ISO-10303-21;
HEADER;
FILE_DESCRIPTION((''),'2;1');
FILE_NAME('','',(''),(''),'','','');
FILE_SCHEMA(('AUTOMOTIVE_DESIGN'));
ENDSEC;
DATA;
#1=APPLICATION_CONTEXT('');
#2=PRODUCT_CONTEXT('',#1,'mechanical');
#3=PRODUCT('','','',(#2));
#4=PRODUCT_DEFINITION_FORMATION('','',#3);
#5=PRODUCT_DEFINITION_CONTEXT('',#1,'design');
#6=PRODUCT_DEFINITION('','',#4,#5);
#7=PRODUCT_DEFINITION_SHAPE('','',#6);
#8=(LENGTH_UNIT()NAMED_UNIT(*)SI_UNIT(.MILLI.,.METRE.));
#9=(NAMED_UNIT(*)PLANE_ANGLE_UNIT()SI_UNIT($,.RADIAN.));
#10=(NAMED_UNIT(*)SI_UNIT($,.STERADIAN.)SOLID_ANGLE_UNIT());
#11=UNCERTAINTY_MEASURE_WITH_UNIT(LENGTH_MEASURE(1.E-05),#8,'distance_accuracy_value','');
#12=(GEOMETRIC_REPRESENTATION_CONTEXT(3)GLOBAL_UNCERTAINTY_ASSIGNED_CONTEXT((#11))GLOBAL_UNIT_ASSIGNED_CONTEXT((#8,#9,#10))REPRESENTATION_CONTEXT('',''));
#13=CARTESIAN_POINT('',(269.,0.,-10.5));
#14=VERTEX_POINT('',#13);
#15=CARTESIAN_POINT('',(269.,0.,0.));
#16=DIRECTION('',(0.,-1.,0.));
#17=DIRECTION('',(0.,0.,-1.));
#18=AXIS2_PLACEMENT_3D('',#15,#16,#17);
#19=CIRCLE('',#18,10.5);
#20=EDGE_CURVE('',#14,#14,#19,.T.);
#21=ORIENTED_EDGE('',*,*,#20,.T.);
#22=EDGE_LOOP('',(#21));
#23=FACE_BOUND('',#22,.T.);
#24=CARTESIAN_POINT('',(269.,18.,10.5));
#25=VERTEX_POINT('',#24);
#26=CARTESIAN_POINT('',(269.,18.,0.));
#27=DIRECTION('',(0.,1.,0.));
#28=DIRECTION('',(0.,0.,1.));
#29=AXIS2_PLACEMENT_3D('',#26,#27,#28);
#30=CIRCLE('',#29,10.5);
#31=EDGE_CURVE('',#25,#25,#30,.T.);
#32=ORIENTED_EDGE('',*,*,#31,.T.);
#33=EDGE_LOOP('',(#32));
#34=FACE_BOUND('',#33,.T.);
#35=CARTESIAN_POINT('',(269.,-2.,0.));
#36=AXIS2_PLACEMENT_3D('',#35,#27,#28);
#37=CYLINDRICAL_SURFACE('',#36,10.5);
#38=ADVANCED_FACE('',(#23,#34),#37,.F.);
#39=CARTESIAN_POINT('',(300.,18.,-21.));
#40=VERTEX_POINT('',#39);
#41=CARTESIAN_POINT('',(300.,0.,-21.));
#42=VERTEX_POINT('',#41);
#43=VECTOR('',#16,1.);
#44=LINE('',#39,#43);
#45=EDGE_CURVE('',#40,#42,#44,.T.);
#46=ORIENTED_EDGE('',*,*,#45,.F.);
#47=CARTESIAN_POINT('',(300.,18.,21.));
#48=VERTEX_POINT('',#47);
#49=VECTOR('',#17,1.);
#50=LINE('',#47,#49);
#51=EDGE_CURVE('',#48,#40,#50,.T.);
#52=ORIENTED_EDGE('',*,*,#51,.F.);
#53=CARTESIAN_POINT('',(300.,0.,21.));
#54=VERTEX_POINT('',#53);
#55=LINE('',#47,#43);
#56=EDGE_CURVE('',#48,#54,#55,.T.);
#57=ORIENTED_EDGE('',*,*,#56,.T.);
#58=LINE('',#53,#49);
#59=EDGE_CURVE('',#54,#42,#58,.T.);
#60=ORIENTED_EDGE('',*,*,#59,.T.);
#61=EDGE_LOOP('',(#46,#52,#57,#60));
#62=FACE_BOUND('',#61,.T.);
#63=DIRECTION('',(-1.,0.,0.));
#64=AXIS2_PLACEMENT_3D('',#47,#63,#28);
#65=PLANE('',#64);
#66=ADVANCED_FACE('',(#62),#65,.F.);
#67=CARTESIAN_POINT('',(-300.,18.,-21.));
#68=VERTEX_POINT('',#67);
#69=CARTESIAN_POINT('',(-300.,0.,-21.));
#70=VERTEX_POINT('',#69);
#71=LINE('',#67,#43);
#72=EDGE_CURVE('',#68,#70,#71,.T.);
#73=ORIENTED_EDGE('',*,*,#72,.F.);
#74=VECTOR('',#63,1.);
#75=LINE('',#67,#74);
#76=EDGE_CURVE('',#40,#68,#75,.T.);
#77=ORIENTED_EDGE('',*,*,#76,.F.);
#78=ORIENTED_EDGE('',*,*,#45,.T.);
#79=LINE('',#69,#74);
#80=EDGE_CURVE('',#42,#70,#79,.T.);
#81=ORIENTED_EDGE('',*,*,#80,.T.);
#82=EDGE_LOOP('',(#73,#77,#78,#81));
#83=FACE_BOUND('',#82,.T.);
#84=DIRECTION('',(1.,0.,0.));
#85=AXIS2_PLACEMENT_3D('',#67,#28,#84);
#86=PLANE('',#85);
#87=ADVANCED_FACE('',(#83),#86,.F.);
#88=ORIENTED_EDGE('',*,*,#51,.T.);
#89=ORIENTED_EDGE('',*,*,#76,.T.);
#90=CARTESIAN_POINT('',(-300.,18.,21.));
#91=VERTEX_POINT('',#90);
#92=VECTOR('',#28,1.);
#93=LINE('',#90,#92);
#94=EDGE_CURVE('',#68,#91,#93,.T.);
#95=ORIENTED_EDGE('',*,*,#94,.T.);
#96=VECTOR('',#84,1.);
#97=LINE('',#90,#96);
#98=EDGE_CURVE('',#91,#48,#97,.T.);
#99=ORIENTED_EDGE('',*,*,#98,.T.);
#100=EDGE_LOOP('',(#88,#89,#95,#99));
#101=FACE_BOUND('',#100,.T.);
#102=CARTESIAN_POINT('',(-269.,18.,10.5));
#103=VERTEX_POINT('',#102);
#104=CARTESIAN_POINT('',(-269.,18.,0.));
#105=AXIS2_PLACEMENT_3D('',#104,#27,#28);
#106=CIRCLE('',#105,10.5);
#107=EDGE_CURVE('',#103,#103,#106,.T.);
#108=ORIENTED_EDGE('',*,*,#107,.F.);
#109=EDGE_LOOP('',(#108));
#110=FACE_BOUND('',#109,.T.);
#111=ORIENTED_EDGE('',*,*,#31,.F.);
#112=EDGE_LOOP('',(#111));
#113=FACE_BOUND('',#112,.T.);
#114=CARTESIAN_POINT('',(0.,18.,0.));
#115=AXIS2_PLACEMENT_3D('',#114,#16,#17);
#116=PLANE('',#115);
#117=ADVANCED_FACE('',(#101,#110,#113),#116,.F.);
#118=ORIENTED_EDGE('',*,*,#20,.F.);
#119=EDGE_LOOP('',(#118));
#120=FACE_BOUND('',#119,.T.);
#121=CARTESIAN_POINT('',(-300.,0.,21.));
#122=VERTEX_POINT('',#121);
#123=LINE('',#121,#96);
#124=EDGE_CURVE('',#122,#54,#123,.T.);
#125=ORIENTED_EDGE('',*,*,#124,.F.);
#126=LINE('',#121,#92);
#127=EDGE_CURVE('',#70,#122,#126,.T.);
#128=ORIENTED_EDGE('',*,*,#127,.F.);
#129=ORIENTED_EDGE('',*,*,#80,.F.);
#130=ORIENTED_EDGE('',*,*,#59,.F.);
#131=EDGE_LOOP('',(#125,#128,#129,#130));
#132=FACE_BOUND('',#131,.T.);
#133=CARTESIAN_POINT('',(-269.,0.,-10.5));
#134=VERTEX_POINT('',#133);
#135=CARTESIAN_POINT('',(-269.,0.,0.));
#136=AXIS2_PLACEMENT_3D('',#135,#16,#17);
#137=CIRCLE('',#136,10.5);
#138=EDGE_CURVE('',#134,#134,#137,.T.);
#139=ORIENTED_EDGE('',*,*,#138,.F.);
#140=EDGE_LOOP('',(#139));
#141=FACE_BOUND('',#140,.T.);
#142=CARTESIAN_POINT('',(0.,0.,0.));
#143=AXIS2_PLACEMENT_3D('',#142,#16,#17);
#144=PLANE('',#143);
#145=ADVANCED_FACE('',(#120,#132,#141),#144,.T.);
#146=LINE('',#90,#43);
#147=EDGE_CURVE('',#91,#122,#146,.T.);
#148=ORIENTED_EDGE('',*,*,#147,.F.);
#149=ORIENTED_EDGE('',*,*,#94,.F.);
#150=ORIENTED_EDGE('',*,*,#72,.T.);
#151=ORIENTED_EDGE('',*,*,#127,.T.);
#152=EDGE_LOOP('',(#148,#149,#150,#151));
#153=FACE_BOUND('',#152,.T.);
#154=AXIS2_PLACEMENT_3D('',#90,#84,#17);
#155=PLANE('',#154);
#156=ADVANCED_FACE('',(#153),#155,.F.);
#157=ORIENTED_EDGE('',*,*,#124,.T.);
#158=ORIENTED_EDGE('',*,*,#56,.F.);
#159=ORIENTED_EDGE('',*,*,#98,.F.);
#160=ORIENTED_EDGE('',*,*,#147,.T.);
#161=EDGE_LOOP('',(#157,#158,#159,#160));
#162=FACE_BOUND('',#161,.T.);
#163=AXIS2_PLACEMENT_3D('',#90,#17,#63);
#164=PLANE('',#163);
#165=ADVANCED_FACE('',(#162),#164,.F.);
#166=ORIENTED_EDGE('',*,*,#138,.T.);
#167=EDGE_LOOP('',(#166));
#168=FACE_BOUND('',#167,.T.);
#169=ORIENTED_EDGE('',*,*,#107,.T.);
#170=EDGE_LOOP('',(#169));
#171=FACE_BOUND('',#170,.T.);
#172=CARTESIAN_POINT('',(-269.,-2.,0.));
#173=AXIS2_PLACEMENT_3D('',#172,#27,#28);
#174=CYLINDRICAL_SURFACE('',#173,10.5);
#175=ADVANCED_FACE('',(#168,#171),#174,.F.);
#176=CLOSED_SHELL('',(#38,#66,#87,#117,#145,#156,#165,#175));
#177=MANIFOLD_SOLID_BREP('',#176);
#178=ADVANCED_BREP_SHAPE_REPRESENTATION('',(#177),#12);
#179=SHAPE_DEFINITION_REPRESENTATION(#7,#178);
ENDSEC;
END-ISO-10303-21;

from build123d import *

# Parameters (mm, degrees)
ESQUISSE1_W             = 600
ESQUISSE1_H             = 42
BOSS_EXTRU_1_DEPTH      = 18
ESQUISSE2_R             = 10.5
ENL_V_MAT_EXTRU_1_DEPTH = 20


with BuildPart() as part:
    # Esquisse1 → Boss.-Extru.1 (new body)
    with BuildSketch(Plane(origin=(0, 0, 0), x_dir=(1, 0, 0), z_dir=(0, 1, 0))):
        Rectangle(ESQUISSE1_W, ESQUISSE1_H)
    extrude(amount=BOSS_EXTRU_1_DEPTH)

    # Esquisse2 → Enlèv. mat.-Extru.1 (cut)
    with BuildSketch(Plane(origin=(0, 18, 0), x_dir=(1, 0, 0), z_dir=(0, 1, 0))):
        with Locations(Location((269, 0, 0), (0, 0, 270))):
            Circle(ESQUISSE2_R)
        with Locations(Location((-269, 0, 0), (0, 0, 270))):
            Circle(ESQUISSE2_R)
    extrude(amount=-ENL_V_MAT_EXTRU_1_DEPTH, mode=Mode.SUBTRACT)


solid = part.part
